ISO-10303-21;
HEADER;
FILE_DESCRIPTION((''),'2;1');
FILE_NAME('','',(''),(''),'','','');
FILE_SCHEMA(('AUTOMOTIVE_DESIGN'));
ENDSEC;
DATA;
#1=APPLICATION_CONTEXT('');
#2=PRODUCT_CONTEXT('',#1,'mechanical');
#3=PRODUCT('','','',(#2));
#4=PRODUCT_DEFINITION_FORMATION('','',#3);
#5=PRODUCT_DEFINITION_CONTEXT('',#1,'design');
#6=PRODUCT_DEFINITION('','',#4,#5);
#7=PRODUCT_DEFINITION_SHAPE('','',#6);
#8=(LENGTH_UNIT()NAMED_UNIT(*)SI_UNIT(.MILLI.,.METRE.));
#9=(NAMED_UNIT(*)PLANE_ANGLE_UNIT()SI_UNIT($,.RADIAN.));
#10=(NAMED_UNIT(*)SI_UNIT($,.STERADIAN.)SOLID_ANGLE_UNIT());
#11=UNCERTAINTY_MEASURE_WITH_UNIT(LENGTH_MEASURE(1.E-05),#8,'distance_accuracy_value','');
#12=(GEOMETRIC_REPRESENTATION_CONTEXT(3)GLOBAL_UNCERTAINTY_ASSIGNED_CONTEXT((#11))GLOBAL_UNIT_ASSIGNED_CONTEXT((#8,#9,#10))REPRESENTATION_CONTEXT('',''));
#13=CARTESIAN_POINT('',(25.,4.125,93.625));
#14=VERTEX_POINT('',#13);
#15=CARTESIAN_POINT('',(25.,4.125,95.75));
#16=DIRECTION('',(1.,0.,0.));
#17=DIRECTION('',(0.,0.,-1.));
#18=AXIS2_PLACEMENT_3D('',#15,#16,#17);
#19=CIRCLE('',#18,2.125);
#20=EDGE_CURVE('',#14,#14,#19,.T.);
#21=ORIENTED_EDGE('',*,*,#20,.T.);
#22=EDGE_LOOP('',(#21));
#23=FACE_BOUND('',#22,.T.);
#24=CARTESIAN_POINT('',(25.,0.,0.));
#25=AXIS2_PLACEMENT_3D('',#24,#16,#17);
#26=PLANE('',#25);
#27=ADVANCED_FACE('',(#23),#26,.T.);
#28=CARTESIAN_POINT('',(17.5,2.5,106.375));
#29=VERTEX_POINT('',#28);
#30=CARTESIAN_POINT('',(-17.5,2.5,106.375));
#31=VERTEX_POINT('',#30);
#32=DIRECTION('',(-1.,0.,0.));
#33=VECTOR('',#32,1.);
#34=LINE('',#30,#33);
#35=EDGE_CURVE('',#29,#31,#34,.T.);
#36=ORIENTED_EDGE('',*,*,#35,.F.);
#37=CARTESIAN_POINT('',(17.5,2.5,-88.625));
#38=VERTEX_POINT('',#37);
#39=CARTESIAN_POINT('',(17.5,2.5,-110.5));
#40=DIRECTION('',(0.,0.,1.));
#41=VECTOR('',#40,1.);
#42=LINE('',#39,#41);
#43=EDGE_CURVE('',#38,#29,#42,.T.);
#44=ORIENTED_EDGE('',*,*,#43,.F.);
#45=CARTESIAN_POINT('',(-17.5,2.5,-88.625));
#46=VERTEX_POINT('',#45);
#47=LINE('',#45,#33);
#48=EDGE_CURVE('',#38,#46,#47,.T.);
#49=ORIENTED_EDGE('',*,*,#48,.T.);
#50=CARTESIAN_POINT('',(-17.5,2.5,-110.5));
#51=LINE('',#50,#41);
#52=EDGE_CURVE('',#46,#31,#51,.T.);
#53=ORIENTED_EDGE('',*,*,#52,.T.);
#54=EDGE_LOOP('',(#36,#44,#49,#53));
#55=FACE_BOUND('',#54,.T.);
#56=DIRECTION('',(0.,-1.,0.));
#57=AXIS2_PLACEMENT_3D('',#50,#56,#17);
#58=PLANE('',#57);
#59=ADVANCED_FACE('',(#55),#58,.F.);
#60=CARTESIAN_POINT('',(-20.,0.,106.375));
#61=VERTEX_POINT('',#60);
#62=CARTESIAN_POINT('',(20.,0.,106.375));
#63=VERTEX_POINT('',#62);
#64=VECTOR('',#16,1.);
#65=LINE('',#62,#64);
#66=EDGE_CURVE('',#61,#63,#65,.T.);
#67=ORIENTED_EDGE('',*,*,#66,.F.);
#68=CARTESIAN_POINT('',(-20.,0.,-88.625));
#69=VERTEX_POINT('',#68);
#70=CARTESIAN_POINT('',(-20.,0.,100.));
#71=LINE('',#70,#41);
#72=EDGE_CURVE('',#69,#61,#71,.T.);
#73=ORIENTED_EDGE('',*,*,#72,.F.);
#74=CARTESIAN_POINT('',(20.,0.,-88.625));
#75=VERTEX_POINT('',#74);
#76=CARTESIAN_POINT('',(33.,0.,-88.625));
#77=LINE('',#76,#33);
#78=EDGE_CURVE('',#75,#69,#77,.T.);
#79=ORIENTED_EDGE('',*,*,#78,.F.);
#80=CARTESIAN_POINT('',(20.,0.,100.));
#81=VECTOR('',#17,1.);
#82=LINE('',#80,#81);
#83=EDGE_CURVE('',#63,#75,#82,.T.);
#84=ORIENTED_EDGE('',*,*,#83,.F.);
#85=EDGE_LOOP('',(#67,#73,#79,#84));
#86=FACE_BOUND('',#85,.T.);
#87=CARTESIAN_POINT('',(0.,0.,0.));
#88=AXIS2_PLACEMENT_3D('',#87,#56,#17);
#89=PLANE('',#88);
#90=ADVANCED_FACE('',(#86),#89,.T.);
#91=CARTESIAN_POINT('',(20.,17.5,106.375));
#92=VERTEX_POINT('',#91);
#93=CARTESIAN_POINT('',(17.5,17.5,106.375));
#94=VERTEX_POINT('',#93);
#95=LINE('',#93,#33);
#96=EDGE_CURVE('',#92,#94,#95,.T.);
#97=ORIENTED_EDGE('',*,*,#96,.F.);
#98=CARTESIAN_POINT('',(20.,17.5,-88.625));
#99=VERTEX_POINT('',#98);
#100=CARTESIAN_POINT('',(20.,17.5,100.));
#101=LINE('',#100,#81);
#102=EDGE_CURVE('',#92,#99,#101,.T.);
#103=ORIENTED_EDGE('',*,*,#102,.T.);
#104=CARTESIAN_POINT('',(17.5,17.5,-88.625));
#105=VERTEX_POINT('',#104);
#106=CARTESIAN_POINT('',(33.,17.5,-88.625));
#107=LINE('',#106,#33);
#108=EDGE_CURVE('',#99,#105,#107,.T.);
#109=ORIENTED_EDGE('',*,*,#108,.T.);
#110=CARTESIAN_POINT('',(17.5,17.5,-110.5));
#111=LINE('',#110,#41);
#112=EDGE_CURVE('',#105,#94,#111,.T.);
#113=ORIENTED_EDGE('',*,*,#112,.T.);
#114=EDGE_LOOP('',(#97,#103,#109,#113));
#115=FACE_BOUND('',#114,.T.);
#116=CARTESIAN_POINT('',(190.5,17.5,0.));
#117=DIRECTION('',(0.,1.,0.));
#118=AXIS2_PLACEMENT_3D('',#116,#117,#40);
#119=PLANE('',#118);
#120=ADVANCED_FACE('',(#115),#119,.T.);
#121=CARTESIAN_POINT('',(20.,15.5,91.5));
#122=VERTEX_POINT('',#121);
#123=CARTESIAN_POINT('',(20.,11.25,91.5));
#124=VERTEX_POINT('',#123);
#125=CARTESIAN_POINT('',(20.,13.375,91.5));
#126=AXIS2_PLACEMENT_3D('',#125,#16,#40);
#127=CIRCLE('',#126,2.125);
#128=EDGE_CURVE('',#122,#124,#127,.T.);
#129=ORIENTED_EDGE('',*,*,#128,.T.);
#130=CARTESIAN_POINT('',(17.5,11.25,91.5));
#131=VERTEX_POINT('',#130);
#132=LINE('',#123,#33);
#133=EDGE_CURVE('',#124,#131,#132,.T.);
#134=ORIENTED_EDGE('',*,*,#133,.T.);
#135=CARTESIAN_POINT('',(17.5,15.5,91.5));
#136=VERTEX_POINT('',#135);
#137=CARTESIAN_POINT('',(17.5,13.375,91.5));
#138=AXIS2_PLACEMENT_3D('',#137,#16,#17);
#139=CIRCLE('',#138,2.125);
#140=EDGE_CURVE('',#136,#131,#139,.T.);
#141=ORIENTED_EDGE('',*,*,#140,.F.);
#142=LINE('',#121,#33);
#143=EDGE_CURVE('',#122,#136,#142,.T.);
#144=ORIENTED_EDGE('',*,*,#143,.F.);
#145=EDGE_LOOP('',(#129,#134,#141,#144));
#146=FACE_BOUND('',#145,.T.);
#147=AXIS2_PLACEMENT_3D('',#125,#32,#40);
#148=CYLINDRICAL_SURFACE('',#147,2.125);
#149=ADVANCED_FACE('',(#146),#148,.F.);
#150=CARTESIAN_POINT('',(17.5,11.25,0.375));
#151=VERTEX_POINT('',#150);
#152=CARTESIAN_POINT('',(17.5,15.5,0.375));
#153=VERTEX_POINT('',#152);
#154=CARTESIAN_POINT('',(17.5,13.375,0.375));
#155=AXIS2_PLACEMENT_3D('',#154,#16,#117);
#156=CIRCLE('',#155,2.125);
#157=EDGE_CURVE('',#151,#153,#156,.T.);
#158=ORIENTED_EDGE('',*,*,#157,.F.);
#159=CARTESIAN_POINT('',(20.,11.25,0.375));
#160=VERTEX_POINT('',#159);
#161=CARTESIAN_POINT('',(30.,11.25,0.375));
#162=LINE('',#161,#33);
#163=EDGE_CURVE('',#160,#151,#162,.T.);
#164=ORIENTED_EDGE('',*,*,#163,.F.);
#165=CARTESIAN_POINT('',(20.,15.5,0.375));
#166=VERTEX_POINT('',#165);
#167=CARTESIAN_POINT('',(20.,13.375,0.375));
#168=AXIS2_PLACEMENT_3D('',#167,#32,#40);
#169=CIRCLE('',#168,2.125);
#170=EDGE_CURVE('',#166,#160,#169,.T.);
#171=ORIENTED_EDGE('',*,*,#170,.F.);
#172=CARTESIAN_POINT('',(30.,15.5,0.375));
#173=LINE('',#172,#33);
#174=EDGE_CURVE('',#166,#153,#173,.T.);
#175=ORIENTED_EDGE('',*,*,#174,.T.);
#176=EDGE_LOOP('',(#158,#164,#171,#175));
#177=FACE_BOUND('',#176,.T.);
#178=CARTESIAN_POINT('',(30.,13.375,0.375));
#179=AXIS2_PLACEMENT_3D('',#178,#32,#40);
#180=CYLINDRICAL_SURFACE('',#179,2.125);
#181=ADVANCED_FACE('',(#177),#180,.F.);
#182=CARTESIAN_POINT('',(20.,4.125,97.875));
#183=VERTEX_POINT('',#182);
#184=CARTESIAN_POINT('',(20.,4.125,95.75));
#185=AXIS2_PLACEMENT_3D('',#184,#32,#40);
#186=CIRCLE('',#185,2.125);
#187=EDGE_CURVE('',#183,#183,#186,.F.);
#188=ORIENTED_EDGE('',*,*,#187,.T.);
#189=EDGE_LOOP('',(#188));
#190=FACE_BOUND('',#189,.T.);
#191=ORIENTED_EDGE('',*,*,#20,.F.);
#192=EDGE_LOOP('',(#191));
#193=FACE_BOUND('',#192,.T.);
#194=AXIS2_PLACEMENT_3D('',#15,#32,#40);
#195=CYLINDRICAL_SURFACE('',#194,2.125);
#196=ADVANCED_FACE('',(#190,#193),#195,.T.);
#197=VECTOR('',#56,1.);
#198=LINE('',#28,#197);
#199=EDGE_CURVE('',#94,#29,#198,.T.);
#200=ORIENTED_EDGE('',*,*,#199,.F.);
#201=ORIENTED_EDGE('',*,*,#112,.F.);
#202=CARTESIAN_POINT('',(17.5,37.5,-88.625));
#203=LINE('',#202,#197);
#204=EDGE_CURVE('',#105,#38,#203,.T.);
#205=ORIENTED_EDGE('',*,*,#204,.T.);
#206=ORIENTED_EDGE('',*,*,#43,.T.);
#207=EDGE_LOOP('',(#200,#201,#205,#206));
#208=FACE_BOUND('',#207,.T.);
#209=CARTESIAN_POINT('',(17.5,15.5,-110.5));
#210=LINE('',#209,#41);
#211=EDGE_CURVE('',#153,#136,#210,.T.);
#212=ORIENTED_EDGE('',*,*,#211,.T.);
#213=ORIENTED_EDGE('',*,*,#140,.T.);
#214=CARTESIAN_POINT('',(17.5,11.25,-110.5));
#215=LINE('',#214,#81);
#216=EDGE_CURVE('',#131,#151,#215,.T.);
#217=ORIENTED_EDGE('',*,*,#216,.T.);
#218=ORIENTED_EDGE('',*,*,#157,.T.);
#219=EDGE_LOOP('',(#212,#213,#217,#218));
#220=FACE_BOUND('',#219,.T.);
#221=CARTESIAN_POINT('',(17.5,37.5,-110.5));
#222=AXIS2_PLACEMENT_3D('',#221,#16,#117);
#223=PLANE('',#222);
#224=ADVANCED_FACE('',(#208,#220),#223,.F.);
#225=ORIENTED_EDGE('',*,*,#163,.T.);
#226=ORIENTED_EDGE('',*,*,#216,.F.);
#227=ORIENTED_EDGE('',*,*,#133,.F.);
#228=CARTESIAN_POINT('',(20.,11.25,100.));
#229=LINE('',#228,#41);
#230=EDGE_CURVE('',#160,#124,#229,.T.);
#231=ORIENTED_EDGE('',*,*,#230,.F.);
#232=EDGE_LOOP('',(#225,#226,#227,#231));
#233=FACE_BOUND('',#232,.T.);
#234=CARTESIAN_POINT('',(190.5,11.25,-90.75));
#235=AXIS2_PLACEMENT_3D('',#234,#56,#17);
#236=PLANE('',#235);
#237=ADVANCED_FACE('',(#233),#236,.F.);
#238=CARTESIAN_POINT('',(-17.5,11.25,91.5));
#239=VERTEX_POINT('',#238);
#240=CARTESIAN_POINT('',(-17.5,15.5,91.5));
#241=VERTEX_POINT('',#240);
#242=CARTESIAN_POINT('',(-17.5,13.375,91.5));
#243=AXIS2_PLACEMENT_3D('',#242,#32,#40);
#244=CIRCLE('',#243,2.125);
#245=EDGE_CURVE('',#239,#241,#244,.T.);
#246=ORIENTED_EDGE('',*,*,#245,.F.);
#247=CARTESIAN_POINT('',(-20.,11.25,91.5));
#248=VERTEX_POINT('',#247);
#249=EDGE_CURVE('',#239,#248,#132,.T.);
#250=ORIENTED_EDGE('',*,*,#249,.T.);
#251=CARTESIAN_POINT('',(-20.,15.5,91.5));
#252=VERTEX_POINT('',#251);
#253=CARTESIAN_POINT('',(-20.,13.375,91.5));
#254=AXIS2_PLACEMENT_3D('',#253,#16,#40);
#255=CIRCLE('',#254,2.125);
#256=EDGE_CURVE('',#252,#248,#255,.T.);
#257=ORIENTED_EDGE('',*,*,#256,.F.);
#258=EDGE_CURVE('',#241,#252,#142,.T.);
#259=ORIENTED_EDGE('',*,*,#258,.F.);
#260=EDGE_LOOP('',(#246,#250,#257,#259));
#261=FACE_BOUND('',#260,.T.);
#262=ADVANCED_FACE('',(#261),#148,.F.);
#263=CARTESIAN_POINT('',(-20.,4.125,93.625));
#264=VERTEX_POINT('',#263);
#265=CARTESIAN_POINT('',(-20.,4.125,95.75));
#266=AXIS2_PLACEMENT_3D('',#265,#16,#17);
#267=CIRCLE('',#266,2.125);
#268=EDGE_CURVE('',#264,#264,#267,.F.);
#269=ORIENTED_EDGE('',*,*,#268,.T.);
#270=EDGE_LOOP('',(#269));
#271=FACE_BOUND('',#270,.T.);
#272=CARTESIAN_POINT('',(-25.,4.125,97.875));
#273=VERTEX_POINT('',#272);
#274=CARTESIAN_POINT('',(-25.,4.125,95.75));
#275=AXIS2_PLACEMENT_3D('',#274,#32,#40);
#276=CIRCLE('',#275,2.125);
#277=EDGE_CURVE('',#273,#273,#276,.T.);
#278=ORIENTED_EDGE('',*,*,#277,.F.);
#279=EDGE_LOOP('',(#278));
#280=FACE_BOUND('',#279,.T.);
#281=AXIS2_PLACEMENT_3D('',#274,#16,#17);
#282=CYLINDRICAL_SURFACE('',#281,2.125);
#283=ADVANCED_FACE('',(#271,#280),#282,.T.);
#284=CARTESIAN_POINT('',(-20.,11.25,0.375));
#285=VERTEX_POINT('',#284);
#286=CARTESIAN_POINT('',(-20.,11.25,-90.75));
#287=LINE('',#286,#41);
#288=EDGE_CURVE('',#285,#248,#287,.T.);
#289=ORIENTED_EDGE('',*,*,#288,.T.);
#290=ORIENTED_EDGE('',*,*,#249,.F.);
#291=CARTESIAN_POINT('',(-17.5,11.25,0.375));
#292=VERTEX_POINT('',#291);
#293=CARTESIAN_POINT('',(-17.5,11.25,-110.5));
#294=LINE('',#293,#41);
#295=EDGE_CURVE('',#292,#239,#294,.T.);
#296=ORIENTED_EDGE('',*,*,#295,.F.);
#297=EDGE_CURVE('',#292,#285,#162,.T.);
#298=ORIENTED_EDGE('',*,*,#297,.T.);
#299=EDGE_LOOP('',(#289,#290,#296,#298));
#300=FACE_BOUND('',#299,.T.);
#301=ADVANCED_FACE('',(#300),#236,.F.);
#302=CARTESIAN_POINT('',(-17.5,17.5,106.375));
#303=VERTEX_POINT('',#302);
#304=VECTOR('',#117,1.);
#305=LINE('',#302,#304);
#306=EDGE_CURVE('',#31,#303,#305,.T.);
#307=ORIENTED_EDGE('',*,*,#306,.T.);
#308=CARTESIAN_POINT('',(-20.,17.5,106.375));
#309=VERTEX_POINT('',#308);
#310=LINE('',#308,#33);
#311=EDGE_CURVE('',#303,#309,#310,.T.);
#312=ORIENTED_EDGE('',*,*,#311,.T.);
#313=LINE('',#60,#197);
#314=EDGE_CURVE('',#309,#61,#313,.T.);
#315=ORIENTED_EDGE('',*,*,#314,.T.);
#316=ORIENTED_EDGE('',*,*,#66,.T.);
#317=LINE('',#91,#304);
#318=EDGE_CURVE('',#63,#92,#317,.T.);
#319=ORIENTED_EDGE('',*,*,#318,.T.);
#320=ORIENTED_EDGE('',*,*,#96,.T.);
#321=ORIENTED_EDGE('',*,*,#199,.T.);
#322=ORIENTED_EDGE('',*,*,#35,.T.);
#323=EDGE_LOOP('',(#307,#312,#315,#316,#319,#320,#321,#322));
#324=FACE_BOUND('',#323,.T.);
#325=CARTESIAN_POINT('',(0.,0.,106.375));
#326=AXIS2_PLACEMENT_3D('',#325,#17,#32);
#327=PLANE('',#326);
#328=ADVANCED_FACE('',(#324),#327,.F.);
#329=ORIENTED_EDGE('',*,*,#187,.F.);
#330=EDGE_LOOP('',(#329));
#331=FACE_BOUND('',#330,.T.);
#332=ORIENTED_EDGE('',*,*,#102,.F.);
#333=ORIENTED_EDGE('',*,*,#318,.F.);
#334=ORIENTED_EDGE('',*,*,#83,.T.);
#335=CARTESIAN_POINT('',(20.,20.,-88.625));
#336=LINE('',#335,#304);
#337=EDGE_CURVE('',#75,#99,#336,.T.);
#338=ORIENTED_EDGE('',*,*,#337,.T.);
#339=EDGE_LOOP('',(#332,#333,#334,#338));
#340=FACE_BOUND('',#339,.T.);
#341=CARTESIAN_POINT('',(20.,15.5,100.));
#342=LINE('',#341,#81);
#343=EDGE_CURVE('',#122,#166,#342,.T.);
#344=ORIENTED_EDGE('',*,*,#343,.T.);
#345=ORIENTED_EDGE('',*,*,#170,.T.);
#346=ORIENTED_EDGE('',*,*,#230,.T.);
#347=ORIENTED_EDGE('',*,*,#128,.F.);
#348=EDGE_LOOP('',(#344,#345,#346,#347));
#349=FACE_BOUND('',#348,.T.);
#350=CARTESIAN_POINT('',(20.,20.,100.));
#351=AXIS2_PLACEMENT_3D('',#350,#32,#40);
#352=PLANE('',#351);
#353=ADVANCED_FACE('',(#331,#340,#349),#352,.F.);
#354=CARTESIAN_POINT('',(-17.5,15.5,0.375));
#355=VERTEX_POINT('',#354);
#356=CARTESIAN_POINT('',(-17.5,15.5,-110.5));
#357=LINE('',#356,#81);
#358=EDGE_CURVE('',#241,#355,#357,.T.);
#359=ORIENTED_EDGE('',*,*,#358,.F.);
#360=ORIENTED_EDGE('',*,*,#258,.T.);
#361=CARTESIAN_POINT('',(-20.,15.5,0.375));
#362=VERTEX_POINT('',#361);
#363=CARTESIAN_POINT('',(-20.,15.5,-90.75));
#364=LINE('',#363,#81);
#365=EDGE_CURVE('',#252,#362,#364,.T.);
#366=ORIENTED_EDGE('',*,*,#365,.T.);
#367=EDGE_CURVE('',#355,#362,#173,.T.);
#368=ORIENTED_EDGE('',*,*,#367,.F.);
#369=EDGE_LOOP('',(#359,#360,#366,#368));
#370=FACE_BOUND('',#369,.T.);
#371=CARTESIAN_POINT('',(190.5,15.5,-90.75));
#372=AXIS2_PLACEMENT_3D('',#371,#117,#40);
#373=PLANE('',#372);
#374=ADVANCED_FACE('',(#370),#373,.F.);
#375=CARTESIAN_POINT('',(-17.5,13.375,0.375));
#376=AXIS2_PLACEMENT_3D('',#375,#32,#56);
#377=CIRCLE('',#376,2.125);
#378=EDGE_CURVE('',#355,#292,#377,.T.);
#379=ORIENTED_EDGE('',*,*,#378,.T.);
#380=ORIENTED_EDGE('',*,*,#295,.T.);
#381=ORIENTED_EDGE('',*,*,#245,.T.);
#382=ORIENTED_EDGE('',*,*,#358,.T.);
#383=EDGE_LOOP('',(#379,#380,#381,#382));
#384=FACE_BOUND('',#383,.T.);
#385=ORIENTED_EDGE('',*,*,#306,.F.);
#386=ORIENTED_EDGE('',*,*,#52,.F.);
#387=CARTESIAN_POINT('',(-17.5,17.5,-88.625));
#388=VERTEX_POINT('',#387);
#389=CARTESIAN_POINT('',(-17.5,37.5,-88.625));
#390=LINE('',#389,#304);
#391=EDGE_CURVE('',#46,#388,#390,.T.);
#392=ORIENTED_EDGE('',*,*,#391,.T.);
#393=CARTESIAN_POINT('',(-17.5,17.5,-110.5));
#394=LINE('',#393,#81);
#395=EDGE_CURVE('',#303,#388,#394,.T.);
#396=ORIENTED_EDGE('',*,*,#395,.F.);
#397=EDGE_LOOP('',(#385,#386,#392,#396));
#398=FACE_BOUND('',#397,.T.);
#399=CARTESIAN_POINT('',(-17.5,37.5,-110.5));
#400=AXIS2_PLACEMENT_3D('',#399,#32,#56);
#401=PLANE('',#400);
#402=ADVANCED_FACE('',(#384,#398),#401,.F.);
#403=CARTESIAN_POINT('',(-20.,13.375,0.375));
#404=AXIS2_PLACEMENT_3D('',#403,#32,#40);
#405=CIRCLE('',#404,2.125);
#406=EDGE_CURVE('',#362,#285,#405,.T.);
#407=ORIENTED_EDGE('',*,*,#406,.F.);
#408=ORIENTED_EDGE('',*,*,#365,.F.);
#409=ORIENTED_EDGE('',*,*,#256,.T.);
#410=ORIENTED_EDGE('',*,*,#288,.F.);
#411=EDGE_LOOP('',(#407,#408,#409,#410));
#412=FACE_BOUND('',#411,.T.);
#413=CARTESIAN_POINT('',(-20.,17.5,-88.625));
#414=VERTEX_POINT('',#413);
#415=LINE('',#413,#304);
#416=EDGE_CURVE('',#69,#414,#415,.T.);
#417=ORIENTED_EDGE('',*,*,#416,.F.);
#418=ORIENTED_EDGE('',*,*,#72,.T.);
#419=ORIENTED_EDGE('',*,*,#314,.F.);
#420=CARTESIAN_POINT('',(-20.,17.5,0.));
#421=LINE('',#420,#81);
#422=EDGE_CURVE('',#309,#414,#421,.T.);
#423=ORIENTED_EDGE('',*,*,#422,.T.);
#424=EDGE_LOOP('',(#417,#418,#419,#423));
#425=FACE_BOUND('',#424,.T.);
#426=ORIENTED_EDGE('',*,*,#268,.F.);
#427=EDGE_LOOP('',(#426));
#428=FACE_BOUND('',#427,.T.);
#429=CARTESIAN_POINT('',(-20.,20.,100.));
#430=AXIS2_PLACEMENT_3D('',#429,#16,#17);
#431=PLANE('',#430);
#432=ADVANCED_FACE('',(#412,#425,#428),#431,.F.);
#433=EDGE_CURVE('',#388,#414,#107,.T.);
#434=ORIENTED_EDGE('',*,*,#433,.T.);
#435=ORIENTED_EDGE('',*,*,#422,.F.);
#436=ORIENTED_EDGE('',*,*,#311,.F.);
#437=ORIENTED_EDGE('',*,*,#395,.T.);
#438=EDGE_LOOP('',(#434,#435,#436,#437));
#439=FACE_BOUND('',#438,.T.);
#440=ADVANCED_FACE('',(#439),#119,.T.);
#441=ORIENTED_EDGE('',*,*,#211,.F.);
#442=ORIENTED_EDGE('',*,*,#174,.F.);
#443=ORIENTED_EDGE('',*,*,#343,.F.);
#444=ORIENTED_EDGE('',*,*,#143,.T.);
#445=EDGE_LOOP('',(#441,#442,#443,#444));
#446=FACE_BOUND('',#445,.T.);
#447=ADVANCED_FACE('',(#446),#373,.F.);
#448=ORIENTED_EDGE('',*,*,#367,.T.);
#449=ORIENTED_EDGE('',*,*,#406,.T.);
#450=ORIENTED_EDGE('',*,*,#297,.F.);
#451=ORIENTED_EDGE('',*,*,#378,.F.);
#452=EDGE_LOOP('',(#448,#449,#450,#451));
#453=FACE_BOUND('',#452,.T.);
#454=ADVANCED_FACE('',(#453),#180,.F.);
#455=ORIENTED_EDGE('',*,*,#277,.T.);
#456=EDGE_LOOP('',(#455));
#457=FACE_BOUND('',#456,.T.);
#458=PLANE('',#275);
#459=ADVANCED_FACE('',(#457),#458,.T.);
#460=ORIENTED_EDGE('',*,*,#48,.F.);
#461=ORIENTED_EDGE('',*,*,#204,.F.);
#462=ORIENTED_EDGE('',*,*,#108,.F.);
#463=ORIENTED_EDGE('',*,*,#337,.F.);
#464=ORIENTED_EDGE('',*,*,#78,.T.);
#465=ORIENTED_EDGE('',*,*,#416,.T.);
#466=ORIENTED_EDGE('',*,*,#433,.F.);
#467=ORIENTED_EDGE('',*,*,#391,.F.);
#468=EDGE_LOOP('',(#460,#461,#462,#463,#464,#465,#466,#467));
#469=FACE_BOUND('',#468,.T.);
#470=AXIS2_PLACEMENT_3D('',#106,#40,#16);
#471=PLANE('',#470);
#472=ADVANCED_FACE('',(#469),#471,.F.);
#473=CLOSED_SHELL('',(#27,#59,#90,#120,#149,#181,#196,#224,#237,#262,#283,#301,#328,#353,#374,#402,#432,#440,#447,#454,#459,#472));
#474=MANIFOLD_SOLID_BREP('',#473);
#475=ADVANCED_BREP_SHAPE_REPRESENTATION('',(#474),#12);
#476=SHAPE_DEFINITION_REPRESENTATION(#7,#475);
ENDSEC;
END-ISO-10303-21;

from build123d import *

# Parameters (mm, degrees)
SKETCH1_W           = 40
SKETCH1_H           = 200
BOSS_EXTRUDE1_DEPTH = 20
SKETCH2_R           = 2.125
BOSS_EXTRUDE2_DEPTH = 5
BOSS_EXTRUDE3_START = 5
SKETCH3_R           = 2.125
BOSS_EXTRUDE3_DEPTH = 5
SKETCH4_W           = 35
SKETCH4_H           = 35
CUT_EXTRUDE1_DEPTH  = 210.5
CUT_EXTRUDE2_DEPTH  = 210.5
CUT_EXTRUDE3_DEPTH  = 210.5
BOSS_EXTRUDE4_DEPTH = 40
SKETCH8_W           = 35
SKETCH8_H           = 4.25
CUT_EXTRUDE4_DEPTH  = 141
CUT_EXTRUDE5_DEPTH  = 50
BOSS_EXTRUDE5_DEPTH = 40
SKETCH16_W          = 35
SKETCH16_H          = 4.25
CUT_EXTRUDE6_DEPTH  = 40
SKETCH17_W          = 6.375
SKETCH17_H          = 17.5
CUT_EXTRUDE7_DEPTH  = 53
BOSS_EXTRUDE6_DEPTH = 6.375


with BuildPart() as part:
    # Sketch1 → Boss-Extrude1 (new body)
    with BuildSketch(Plane(origin=(0, 0, 0), x_dir=(1, 0, 0), z_dir=(0, 1, 0))):
        Rectangle(SKETCH1_W, SKETCH1_H)
    extrude(amount=BOSS_EXTRUDE1_DEPTH)

    # Sketch2 → Boss-Extrude2 (add)
    with BuildSketch(Plane(origin=(20, 0, 0), x_dir=(0, 0, -1), z_dir=(1, 0, 0))):
        with Locations(Location((-95.75, 4.125, 0), (0, 0, 180))):
            Circle(SKETCH2_R)
    extrude(amount=BOSS_EXTRUDE2_DEPTH)

    # Sketch3 → Boss-Extrude3 (add)
    with BuildSketch(Plane.ZY.offset(20).offset(BOSS_EXTRUDE3_START)):
        with Locations((95.75, 4.125)):
            Circle(SKETCH3_R)
    extrude(amount=-BOSS_EXTRUDE3_DEPTH)

    # Sketch4 → Cut-Extrude1 (cut)
    with BuildSketch(Plane.XY.offset(100)):
        with Locations((0, 20)):
            Rectangle(SKETCH4_W, SKETCH4_H)
    extrude(amount=-CUT_EXTRUDE1_DEPTH, mode=Mode.SUBTRACT)

    # Sketch5 → Cut-Extrude2 (cut)
    with BuildSketch(Plane.ZY.offset(20)):
        Polygon((-100, 0), (-95, 0), (-95, 17.5), (100, 17.5), (100, 20), (-100, 20), align=None)
    extrude(amount=-CUT_EXTRUDE2_DEPTH, mode=Mode.SUBTRACT)

    # Sketch6 → Cut-Extrude3 (cut)
    with BuildSketch(Plane.ZY.offset(20)):
        with BuildLine():
            Line((-90.75, 15.5), (95.75, 15.5))
            ThreePointArc((95.75, 15.5), (97.875, 13.375), (95.75, 11.25))
            Line((95.75, 11.25), (-90.75, 11.25))
            ThreePointArc((-90.75, 11.25), (-92.875, 13.375), (-90.75, 15.5))
        make_face()
    extrude(amount=-CUT_EXTRUDE3_DEPTH, mode=Mode.SUBTRACT)

    # Sketch7 → Boss-Extrude4 (add)
    with BuildSketch(Plane.ZY.offset(20)):
        with BuildLine():
            Line((6.75, 11.25), (-95, 11.25))
            Line((-95, 11.25), (-95, 15.5))
            Line((-95, 15.5), (6.75, 15.5))
            ThreePointArc((6.75, 15.5), (4.625, 13.375), (6.75, 11.25))
        make_face()
    extrude(amount=-BOSS_EXTRUDE4_DEPTH)

    # Sketch8 → Cut-Extrude4 (cut)
    with BuildSketch(Plane(origin=(0, 0, -95), x_dir=(-1, 0, 0), z_dir=(0, 0, -1))):
        with Locations((0, 13.375)):
            Rectangle(SKETCH8_W, SKETCH8_H)
    extrude(amount=-CUT_EXTRUDE4_DEPTH, mode=Mode.SUBTRACT)

    # Sketch14 → Cut-Extrude5 (cut)
    with BuildSketch(Plane.ZY.offset(20)):
        with BuildLine():
            Line((0.375, 11.25), (6.75, 11.25))
            Line((6.75, 11.25), (6.75, 15.5))
            Line((6.75, 15.5), (0.375, 15.5))
            ThreePointArc((0.375, 15.5), (-1.75, 13.375), (0.375, 11.25))
        make_face()
    extrude(amount=-CUT_EXTRUDE5_DEPTH, mode=Mode.SUBTRACT)

    # Sketch15 → Boss-Extrude5 (add)
    with BuildSketch(Plane.ZY.offset(20)):
        with BuildLine():
            Line((95.75, 15.5), (91.5, 15.5))
            ThreePointArc((91.5, 15.5), (93.625, 13.375), (91.5, 11.25))
            Line((91.5, 11.25), (95.75, 11.25))
            ThreePointArc((95.75, 11.25), (97.875, 13.375), (95.75, 15.5))
        make_face()
    extrude(amount=-BOSS_EXTRUDE5_DEPTH)

    # Sketch16 → Cut-Extrude6 (cut)
    with BuildSketch(Plane.XY.offset(100)):
        with Locations((0, 13.375)):
            Rectangle(SKETCH16_W, SKETCH16_H)
    extrude(amount=-CUT_EXTRUDE6_DEPTH, mode=Mode.SUBTRACT)

    # Sketch17 → Cut-Extrude7 (cut)
    with BuildSketch(Plane.ZY.offset(20)):
        with Locations((-91.8125, 8.75)):
            Rectangle(SKETCH17_W, SKETCH17_H)
    extrude(amount=-CUT_EXTRUDE7_DEPTH, mode=Mode.SUBTRACT)

    # Sketch18 → Boss-Extrude6 (add)
    with BuildSketch(Plane.XY.offset(100)):
        Polygon((-20, 17.5), (-17.5, 17.5), (-17.5, 2.5), (17.5, 2.5), (17.5, 17.5), (20, 17.5), (20, 0), (-20, 0), align=None)
    extrude(amount=BOSS_EXTRUDE6_DEPTH)


solid = part.part
